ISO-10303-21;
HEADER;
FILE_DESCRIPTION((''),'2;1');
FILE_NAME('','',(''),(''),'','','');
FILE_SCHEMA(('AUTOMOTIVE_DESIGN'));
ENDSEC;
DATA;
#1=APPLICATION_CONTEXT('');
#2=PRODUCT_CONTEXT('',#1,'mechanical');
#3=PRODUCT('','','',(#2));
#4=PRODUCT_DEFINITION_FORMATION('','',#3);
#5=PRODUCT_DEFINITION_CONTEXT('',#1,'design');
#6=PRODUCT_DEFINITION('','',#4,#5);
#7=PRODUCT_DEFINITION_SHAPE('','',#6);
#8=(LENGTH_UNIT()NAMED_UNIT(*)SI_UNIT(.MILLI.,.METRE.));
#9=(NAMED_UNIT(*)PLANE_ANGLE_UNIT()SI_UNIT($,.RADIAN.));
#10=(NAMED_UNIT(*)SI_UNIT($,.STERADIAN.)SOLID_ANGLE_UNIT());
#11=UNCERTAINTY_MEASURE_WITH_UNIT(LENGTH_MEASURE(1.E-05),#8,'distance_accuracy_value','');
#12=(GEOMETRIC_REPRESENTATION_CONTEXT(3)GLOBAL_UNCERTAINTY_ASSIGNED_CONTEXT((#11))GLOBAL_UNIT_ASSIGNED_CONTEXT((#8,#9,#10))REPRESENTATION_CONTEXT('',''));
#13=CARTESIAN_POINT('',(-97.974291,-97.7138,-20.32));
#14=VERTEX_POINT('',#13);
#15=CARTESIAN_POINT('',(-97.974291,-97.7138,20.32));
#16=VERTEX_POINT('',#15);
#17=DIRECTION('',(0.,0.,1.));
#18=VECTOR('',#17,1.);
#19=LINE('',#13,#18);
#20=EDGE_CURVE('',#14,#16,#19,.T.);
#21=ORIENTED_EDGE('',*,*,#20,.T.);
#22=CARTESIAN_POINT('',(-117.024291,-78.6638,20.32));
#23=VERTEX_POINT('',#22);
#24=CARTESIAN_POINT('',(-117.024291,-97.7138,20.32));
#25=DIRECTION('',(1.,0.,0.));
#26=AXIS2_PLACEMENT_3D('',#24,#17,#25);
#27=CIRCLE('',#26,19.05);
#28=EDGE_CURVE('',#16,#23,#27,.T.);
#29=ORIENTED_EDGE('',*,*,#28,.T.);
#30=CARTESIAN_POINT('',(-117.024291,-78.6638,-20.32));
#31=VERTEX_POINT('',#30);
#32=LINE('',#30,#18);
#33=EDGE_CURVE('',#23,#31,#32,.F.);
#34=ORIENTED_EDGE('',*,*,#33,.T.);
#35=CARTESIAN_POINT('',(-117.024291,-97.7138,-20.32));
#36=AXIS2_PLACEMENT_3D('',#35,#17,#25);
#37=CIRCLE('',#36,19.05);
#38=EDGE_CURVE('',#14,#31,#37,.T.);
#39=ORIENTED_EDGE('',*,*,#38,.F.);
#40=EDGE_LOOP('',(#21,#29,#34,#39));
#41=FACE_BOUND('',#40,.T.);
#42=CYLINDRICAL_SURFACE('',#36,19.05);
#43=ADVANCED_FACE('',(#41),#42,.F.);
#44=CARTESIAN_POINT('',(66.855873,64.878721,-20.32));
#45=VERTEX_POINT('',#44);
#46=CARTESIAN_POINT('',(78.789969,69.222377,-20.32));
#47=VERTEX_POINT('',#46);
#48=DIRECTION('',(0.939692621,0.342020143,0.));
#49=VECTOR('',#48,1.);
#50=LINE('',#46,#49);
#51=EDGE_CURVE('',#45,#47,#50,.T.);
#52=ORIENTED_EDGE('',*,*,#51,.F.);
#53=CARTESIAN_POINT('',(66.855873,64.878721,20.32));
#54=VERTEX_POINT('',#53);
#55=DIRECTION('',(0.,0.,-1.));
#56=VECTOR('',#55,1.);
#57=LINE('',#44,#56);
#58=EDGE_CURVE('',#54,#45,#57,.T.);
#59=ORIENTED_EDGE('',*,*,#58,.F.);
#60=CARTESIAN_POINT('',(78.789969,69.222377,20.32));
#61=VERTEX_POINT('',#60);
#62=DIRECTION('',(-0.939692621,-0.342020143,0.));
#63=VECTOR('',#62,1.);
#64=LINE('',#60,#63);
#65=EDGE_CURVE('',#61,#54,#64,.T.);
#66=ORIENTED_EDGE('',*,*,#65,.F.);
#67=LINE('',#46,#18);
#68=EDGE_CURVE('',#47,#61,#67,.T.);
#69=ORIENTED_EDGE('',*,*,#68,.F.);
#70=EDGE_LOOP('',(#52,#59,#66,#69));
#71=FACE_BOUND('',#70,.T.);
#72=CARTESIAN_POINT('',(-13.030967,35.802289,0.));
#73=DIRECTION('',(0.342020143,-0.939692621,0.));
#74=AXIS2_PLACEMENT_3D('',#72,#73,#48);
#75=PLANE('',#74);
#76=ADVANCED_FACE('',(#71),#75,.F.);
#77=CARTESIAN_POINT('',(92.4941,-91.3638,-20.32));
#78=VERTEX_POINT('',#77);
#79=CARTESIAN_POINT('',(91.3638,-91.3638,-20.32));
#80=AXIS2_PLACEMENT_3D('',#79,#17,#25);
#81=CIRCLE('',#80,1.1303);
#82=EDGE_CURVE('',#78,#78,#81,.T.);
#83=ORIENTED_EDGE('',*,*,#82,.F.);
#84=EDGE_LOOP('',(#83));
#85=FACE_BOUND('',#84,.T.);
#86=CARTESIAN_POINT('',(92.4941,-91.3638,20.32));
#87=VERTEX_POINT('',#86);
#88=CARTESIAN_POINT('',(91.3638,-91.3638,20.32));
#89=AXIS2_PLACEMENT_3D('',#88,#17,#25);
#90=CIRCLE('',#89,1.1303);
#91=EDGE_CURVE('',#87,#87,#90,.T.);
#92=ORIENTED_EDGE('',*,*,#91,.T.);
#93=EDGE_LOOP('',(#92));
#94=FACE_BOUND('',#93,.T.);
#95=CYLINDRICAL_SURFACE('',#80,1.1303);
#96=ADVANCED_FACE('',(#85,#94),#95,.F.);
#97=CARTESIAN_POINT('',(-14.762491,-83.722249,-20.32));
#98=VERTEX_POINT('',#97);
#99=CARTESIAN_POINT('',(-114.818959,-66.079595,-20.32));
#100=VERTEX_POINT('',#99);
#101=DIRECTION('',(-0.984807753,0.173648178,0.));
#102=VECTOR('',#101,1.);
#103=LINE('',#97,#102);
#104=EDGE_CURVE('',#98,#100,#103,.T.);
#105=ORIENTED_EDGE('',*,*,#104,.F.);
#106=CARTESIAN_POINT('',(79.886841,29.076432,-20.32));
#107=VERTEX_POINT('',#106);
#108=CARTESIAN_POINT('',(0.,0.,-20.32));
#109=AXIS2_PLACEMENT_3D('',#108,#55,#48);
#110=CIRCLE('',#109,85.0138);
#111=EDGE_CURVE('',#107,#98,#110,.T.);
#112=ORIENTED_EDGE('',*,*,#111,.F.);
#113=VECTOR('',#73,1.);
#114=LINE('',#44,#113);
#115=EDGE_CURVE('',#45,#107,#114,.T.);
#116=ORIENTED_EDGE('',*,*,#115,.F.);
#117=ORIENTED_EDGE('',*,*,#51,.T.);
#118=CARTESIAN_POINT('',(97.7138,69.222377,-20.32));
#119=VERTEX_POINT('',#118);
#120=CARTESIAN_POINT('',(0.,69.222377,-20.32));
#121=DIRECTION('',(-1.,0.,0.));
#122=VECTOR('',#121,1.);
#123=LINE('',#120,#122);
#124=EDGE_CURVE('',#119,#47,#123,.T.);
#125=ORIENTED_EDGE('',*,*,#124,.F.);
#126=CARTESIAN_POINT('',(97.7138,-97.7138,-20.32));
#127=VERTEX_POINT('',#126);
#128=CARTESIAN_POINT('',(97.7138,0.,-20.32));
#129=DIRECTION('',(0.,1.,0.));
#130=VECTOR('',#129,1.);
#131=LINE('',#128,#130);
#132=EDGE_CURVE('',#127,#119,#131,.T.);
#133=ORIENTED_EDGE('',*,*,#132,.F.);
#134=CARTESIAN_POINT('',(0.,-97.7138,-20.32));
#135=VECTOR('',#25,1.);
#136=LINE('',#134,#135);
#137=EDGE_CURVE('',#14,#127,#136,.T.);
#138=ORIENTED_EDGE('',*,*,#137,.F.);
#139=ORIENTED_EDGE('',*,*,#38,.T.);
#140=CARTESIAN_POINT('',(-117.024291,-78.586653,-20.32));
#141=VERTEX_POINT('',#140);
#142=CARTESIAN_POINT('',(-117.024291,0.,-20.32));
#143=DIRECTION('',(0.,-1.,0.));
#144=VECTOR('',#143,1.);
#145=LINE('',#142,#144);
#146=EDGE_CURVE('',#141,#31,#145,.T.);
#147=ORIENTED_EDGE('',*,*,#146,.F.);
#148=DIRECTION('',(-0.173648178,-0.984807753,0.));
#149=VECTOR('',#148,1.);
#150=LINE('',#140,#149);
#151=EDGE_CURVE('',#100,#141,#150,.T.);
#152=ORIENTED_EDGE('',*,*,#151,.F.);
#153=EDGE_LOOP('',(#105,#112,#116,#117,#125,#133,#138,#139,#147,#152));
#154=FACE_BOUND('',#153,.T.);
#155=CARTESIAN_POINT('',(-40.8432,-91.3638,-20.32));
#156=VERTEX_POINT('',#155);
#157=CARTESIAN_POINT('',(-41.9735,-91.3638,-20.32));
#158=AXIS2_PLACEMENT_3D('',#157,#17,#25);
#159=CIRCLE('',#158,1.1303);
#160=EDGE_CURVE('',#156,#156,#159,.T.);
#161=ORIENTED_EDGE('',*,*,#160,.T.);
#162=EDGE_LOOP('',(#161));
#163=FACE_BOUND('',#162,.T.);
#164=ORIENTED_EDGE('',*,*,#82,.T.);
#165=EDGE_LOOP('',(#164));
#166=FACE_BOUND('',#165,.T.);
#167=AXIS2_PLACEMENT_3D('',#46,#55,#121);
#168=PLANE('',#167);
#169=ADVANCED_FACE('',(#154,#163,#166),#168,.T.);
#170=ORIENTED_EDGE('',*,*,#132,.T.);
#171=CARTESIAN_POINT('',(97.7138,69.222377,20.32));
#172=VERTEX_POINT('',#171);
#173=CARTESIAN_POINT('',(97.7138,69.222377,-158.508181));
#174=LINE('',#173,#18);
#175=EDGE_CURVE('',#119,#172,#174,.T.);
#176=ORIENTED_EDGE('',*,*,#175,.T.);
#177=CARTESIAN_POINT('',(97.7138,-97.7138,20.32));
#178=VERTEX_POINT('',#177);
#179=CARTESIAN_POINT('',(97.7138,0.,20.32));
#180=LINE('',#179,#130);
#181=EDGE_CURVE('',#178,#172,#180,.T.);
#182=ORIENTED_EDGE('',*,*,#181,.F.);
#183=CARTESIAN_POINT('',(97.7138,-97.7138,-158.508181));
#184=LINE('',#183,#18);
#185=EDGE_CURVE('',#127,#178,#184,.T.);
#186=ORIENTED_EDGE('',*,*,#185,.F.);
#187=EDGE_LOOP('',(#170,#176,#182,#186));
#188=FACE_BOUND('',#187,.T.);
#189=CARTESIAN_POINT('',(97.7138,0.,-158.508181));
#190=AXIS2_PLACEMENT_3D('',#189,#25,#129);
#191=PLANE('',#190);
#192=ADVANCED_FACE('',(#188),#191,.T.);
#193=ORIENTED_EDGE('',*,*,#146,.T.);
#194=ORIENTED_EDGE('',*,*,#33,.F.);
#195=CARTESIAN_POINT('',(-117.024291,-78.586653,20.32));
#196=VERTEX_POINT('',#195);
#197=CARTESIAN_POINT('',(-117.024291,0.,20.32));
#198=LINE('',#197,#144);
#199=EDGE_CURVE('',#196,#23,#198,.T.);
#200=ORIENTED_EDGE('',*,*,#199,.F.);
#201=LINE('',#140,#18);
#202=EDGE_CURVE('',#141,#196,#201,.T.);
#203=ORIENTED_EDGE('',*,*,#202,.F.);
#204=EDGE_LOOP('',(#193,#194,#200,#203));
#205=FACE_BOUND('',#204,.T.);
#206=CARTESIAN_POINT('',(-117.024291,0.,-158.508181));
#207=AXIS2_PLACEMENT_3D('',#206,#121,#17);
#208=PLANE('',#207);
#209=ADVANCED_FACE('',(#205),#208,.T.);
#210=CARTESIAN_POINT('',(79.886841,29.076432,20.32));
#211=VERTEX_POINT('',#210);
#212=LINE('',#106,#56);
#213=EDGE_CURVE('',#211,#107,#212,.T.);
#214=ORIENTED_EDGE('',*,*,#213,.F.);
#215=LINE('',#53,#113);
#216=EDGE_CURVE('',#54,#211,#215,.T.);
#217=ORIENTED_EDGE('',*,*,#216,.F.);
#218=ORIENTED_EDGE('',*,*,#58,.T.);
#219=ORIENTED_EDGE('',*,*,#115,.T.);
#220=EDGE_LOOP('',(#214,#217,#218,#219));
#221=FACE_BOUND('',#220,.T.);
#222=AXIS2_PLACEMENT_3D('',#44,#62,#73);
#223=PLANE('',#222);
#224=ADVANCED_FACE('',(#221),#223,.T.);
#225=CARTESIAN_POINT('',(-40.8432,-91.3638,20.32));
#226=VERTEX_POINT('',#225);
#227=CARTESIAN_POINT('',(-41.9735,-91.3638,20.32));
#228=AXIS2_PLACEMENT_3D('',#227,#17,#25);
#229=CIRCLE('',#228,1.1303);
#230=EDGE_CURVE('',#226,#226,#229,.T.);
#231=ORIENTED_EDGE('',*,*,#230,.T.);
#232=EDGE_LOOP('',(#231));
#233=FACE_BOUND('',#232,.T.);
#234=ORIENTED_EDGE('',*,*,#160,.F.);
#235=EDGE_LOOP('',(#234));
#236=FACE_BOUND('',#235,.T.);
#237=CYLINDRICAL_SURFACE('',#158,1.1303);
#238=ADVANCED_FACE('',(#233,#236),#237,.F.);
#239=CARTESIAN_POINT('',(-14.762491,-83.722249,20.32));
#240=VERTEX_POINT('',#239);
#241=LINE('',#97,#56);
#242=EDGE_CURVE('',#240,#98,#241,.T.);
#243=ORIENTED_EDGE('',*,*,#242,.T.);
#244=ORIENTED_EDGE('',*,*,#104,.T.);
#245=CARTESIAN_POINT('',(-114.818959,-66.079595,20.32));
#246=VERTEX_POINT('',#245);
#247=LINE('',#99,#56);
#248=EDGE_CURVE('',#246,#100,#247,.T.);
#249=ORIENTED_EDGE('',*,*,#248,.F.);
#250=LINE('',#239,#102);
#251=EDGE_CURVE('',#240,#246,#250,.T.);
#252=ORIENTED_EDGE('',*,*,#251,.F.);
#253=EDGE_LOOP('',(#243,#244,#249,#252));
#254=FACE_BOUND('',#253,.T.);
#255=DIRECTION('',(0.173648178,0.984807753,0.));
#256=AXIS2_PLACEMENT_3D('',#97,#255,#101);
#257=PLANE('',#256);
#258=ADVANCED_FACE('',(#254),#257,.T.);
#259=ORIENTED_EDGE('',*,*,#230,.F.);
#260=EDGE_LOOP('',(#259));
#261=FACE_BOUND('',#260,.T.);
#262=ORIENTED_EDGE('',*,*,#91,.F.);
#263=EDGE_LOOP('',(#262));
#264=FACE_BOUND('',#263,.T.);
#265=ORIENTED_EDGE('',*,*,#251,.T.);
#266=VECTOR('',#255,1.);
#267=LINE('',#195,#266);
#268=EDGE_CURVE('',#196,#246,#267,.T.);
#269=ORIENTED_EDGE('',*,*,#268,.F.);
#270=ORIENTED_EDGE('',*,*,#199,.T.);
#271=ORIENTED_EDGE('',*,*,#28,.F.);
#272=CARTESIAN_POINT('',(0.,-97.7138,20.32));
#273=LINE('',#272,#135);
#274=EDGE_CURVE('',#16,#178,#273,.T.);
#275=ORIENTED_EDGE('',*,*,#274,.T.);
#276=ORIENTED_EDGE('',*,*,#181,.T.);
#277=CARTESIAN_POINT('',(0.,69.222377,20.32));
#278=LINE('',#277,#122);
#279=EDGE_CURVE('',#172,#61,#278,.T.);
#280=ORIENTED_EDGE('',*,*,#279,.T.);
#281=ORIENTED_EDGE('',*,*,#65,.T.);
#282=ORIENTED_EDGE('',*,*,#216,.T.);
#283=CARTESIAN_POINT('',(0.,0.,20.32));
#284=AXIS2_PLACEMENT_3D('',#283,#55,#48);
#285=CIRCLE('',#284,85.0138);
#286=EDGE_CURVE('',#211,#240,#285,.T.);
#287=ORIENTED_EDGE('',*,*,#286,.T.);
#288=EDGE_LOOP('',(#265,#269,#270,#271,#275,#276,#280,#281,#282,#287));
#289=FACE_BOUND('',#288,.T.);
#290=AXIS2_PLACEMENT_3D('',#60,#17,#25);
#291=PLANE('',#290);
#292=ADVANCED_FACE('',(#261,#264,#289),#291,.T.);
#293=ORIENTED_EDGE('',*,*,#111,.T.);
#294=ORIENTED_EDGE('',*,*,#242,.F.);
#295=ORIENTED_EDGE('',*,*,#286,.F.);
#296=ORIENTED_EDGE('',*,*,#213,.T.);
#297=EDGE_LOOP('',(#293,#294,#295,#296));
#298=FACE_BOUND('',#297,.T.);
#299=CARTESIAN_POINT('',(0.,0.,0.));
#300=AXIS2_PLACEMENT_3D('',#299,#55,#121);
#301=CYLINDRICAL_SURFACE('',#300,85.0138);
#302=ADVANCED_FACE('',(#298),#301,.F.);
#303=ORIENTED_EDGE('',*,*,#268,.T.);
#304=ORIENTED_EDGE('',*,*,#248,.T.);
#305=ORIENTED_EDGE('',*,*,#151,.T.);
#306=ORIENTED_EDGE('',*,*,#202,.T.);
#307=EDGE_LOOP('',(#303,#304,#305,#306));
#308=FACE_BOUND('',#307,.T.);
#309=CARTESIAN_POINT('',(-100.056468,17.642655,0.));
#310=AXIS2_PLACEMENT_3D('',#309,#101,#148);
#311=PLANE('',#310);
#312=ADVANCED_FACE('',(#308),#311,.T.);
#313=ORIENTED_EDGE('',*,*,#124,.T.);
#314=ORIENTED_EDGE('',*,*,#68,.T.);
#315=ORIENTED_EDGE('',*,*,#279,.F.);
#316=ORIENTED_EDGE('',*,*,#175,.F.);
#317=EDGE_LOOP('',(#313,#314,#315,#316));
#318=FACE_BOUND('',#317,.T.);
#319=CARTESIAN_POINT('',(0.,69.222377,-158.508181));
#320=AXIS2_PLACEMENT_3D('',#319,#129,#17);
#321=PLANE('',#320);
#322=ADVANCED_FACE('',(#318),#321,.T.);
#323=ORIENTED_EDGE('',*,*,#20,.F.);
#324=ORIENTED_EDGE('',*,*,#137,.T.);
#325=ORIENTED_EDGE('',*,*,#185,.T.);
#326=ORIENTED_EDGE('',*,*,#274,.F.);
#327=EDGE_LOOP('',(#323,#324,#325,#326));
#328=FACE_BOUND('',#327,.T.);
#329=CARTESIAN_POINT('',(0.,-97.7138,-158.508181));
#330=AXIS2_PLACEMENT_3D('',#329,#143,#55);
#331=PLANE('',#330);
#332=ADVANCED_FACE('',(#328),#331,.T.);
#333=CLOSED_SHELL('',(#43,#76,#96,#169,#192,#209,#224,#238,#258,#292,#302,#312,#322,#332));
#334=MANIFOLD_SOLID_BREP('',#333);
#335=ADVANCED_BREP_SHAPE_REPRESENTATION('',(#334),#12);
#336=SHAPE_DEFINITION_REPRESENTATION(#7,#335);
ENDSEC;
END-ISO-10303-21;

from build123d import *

# Parameters (mm, degrees)
BOSS_EXTRUDE1_DEPTH = 40.64
SKETCH6_R           = 1.1303
CUT_EXTRUDE1_DEPTH  = 158.779215984
SKETCH7_R           = 19.05
CUT_EXTRUDE2_DEPTH  = 158.779215984


with BuildPart() as part:
    # Sweep3: sweep along a path in Sketch2
    with BuildLine(Plane.XY) as sweep3_path:
        Line((-111.378641457, -46.568583299), (-11.322173751, -64.21123815))
        ThreePointArc((-11.322173751, -64.21123815), (49.947476571, -41.910909169), (61.269650322, 22.300328981))
        Line((61.269650322, 22.300328981), (48.238682861, 58.102617833))
    # 3DSketch1 → Sweep3 (sweep)
    with BuildSketch(Plane(origin=(-117.024291009, -78.586652965, -20.32), x_dir=(0.051794909001673446, 0.2937435257699459, 0.9544799780350292), z_dir=(0.984807753012208, -0.17364817766693055, 0))):
        Polygon((0, 0), (3.788092413, -12.121895721), (42.57815872, 0), (38.790066307, 12.121895721), align=None)
    sweep(path=sweep3_path.line)

    # Sketch5 → Boss-Extrude1 (add)
    with BuildSketch(Plane.XY.offset(20.32)):
        with BuildLine():
            Line((-16.967823303, -96.229307816), (-117.024291009, -78.586652965))
            Line((-117.024291009, -78.586652965), (-117.024291009, -97.7138))
            Line((-117.024291009, -97.7138), (-1.15e-07, -97.7138))
            ThreePointArc((-1.15e-07, -97.7138), (-8.516318873, -97.341969485), (-16.967823303, -96.229307816))
        make_face()
        with BuildLine():
            ThreePointArc((97.7138, 1.15e-07), (69.094090596, -69.094090596), (-1.15e-07, -97.7138))
            Line((-1.15e-07, -97.7138), (97.7138, -97.7138))
            Line((97.7138, -97.7138), (97.7138, 1.15e-07))
        make_face()
        with BuildLine():
            ThreePointArc((91.820936809, 33.420087881), (96.229307806, 16.96782336), (97.7138, 1.15e-07))
            Line((97.7138, 1.15e-07), (97.7138, 69.222376733))
            Line((97.7138, 69.222376733), (78.789969348, 69.222376733))
            Line((78.789969348, 69.222376733), (91.820936809, 33.420087881))
        make_face()
    extrude(amount=-BOSS_EXTRUDE1_DEPTH)

    # Sketch6 → Cut-Extrude1 (cut, through all)
    with BuildSketch(Plane.XY.offset(20.32)):
        with Locations((91.3638, -91.3638)):
            Circle(SKETCH6_R)
        with Locations((-41.9735, -91.3638)):
            Circle(SKETCH6_R)
    extrude(amount=-CUT_EXTRUDE1_DEPTH, mode=Mode.SUBTRACT)

    # Sketch7 → Cut-Extrude2 (cut, through all)
    with BuildSketch(Plane.XY.offset(20.32)):
        with Locations((-117.024291009, -97.7138)):
            Circle(SKETCH7_R)
    extrude(amount=-CUT_EXTRUDE2_DEPTH, mode=Mode.SUBTRACT)


solid = part.part
